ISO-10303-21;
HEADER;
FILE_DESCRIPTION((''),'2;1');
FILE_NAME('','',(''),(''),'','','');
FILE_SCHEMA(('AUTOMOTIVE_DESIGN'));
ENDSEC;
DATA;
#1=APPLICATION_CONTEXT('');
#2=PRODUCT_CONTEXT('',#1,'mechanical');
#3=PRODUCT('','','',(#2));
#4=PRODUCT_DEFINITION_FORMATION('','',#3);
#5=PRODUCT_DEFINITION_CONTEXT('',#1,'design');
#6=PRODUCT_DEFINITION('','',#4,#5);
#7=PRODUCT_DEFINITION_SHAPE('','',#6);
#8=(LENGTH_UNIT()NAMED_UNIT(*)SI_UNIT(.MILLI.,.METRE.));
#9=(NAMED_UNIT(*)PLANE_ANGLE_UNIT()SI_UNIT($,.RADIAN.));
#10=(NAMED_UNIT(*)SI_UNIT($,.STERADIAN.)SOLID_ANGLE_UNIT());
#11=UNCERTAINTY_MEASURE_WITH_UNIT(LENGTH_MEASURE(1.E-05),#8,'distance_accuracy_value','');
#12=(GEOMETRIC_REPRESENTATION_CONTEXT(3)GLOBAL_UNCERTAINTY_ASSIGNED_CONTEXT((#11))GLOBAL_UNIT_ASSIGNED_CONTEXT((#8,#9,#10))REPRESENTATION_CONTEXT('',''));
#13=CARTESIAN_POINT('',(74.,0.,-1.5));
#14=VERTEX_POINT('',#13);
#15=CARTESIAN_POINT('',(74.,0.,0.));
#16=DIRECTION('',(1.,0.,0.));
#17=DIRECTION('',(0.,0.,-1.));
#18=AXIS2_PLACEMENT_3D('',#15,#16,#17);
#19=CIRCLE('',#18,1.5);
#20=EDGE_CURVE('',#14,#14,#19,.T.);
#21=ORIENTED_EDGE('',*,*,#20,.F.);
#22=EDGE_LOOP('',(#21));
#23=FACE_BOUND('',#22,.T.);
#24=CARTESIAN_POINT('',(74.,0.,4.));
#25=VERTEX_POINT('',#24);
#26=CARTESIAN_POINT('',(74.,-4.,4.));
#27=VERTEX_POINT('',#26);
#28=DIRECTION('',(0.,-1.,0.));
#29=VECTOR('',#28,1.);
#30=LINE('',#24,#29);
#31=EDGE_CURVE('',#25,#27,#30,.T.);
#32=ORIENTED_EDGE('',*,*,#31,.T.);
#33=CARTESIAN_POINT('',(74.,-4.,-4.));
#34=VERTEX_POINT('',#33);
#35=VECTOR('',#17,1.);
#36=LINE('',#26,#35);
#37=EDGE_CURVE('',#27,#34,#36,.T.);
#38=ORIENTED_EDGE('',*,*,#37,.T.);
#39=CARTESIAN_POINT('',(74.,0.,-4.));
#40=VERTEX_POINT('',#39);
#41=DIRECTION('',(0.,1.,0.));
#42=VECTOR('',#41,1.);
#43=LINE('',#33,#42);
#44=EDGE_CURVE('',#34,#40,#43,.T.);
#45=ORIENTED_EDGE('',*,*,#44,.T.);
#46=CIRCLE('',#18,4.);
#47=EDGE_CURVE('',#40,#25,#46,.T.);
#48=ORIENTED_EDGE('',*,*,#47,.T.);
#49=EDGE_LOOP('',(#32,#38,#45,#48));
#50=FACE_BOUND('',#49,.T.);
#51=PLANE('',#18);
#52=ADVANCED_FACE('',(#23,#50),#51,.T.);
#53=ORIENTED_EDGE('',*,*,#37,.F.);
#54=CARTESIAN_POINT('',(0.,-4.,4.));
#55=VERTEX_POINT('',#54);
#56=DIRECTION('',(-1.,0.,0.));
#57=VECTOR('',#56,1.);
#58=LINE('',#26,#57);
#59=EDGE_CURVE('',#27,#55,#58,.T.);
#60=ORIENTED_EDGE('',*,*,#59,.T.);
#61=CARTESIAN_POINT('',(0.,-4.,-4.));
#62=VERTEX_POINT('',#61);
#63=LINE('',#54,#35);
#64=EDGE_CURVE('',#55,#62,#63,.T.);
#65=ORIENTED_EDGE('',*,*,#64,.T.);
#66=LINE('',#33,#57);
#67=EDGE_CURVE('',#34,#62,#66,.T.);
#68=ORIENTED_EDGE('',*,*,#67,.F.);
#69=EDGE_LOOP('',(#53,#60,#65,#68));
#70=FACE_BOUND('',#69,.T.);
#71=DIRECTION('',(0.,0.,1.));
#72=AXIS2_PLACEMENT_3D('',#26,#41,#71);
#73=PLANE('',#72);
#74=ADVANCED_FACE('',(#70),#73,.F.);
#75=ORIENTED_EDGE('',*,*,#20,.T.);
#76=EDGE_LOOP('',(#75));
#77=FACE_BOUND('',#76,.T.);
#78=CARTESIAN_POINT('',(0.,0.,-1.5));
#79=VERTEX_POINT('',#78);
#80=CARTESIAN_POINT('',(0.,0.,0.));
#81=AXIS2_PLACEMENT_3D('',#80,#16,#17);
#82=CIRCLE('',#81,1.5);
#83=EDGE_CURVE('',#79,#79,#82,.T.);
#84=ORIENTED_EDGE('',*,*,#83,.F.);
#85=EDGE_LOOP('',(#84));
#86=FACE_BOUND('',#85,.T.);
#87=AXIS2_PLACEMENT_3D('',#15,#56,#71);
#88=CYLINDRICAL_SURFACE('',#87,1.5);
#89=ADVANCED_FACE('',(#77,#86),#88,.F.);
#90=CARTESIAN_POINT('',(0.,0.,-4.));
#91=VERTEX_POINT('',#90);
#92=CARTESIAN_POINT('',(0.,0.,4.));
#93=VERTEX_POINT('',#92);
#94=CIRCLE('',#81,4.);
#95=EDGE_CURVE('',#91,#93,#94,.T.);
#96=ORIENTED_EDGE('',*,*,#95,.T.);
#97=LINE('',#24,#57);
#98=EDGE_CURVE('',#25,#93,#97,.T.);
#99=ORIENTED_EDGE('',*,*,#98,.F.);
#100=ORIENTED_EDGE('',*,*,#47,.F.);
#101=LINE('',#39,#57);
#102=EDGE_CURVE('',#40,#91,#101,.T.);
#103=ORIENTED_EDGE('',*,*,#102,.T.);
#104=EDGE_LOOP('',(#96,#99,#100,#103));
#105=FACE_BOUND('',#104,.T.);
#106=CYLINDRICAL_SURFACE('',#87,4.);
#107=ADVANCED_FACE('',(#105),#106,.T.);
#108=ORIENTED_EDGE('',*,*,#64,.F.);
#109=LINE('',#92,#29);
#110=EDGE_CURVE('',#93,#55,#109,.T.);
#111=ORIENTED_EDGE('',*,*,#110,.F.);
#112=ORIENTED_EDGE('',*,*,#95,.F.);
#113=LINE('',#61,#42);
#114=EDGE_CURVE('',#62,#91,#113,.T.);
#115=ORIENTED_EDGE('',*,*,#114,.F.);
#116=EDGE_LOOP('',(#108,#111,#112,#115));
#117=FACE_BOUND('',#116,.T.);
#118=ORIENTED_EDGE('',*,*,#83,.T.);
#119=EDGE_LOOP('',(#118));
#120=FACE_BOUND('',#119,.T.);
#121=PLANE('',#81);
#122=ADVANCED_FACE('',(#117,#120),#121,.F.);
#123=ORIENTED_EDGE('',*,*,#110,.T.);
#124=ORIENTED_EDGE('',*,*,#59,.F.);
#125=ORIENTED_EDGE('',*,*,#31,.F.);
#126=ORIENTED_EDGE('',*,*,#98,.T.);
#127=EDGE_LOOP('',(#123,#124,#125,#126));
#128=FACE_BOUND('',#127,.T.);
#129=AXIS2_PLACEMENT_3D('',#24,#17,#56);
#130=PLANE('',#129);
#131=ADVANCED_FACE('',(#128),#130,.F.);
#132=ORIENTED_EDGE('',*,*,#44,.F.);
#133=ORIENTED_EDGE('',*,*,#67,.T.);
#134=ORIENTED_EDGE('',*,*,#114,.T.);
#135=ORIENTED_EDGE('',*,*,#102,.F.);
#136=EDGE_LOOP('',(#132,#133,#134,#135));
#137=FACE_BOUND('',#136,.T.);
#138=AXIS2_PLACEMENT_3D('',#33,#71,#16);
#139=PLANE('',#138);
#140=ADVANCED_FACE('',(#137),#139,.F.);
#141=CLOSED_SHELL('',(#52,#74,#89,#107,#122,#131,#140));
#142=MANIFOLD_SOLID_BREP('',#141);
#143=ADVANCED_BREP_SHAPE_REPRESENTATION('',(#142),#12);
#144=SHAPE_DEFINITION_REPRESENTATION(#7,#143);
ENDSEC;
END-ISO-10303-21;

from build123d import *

# Parameters (mm, degrees)
SKETCH1_R           = 1.5
BOSS_EXTRUDE1_DEPTH = 74


with BuildPart() as part:
    # Sketch1 → Boss-Extrude1 (new body)
    with BuildSketch(Plane(origin=(0, 0, 0), x_dir=(0, 0, -1), z_dir=(1, 0, 0))):
        with BuildLine():
            Line((-4, 0), (-4, -4))
            Line((-4, -4), (4, -4))
            Line((4, -4), (4, 0))
            ThreePointArc((4, 0), (0, 4), (-4, 0))
        make_face()
        Circle(SKETCH1_R, mode=Mode.SUBTRACT)
    extrude(amount=BOSS_EXTRUDE1_DEPTH)


solid = part.part
